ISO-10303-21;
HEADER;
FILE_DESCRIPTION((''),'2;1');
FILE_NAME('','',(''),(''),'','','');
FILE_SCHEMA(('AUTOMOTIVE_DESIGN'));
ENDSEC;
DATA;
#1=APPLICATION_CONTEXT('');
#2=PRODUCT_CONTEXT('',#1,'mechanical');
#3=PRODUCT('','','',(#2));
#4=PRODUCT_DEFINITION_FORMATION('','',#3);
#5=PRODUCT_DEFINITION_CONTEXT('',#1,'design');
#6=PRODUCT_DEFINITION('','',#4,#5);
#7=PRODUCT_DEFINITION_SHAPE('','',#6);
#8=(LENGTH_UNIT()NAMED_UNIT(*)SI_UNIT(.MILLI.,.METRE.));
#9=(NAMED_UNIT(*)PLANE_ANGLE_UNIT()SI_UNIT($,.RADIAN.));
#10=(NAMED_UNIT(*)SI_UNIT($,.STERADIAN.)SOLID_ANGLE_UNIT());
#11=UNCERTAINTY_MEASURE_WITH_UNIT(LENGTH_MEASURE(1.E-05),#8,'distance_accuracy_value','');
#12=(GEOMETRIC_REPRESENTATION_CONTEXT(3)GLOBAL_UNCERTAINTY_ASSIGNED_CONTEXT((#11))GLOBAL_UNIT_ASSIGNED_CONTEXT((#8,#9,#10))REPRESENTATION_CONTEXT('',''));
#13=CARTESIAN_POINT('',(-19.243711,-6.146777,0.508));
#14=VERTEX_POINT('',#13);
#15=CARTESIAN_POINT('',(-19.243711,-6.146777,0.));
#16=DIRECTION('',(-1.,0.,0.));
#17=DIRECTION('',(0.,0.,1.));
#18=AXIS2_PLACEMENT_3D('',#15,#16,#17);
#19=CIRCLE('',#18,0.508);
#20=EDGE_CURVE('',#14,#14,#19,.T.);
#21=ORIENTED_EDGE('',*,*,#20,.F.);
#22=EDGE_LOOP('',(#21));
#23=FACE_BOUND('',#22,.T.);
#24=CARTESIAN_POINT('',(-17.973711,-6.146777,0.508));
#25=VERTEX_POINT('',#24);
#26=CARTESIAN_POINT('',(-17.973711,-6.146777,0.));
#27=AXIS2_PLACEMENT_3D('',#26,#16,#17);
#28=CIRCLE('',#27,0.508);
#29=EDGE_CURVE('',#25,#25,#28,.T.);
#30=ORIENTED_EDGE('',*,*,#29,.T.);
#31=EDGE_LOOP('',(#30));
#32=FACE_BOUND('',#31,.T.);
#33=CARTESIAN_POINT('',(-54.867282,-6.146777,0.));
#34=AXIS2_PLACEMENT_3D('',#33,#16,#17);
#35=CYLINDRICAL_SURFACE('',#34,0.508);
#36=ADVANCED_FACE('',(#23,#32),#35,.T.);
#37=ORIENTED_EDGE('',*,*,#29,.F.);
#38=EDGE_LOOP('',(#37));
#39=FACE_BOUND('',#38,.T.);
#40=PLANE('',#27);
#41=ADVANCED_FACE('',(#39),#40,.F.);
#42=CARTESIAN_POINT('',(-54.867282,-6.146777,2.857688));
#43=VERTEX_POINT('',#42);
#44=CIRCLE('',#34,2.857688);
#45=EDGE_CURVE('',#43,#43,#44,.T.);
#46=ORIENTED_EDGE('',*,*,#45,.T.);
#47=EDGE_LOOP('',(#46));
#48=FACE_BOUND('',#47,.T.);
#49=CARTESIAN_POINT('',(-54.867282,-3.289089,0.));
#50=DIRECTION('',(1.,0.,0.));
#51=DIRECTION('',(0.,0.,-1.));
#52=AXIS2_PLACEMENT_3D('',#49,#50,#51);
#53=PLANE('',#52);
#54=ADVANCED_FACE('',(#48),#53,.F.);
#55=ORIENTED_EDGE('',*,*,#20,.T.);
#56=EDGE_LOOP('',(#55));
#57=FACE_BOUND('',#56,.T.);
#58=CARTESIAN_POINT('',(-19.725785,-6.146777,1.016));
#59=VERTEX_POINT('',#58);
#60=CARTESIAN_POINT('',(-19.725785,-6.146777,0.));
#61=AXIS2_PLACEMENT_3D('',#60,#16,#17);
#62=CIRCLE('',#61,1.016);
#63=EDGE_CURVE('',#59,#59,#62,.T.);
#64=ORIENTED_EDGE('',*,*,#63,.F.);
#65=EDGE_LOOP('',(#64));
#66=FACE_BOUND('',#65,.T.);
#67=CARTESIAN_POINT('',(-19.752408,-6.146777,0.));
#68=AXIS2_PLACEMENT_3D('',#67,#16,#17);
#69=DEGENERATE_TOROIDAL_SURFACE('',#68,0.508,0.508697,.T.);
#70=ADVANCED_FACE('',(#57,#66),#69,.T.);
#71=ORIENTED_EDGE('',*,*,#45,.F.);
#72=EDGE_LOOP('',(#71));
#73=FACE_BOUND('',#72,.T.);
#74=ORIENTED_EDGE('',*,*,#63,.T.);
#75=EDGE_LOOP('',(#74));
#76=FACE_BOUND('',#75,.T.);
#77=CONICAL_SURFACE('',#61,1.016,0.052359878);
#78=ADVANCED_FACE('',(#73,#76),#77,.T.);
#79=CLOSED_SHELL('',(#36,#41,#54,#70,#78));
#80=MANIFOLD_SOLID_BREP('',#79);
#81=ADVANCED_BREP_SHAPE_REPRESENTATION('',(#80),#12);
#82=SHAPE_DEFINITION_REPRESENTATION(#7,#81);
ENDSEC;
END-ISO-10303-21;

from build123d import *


with BuildPart() as part:
    # Sketch4 → Revolve1 (revolve)
    with BuildSketch(Plane.XY, mode=Mode.PRIVATE) as revolve1_sk:
        with BuildLine():
            Line((-54.86728236, -6.146776776), (-17.973710654, -6.146776776))
            Line((-17.973710654, -6.146776776), (-17.973710654, -5.638776776))
            Line((-17.973710654, -5.638776776), (-19.243710654, -5.638776776))
            ThreePointArc((-19.243710654, -5.638776776), (-19.38341193, -5.288612764), (-19.725784654, -5.130776776))
            Line((-19.725784654, -5.130776776), (-54.86728236, -3.289088921))
            Line((-54.86728236, -3.289088921), (-54.86728236, -6.146776776))
        make_face()
    revolve(revolve1_sk.sketch.rotate(Axis((-54.86728236, -6.146776776, 0), (1, 0, 0)), 90), axis=Axis((-54.86728236, -6.146776776, 0), (1, 0, 0)))


solid = part.part
